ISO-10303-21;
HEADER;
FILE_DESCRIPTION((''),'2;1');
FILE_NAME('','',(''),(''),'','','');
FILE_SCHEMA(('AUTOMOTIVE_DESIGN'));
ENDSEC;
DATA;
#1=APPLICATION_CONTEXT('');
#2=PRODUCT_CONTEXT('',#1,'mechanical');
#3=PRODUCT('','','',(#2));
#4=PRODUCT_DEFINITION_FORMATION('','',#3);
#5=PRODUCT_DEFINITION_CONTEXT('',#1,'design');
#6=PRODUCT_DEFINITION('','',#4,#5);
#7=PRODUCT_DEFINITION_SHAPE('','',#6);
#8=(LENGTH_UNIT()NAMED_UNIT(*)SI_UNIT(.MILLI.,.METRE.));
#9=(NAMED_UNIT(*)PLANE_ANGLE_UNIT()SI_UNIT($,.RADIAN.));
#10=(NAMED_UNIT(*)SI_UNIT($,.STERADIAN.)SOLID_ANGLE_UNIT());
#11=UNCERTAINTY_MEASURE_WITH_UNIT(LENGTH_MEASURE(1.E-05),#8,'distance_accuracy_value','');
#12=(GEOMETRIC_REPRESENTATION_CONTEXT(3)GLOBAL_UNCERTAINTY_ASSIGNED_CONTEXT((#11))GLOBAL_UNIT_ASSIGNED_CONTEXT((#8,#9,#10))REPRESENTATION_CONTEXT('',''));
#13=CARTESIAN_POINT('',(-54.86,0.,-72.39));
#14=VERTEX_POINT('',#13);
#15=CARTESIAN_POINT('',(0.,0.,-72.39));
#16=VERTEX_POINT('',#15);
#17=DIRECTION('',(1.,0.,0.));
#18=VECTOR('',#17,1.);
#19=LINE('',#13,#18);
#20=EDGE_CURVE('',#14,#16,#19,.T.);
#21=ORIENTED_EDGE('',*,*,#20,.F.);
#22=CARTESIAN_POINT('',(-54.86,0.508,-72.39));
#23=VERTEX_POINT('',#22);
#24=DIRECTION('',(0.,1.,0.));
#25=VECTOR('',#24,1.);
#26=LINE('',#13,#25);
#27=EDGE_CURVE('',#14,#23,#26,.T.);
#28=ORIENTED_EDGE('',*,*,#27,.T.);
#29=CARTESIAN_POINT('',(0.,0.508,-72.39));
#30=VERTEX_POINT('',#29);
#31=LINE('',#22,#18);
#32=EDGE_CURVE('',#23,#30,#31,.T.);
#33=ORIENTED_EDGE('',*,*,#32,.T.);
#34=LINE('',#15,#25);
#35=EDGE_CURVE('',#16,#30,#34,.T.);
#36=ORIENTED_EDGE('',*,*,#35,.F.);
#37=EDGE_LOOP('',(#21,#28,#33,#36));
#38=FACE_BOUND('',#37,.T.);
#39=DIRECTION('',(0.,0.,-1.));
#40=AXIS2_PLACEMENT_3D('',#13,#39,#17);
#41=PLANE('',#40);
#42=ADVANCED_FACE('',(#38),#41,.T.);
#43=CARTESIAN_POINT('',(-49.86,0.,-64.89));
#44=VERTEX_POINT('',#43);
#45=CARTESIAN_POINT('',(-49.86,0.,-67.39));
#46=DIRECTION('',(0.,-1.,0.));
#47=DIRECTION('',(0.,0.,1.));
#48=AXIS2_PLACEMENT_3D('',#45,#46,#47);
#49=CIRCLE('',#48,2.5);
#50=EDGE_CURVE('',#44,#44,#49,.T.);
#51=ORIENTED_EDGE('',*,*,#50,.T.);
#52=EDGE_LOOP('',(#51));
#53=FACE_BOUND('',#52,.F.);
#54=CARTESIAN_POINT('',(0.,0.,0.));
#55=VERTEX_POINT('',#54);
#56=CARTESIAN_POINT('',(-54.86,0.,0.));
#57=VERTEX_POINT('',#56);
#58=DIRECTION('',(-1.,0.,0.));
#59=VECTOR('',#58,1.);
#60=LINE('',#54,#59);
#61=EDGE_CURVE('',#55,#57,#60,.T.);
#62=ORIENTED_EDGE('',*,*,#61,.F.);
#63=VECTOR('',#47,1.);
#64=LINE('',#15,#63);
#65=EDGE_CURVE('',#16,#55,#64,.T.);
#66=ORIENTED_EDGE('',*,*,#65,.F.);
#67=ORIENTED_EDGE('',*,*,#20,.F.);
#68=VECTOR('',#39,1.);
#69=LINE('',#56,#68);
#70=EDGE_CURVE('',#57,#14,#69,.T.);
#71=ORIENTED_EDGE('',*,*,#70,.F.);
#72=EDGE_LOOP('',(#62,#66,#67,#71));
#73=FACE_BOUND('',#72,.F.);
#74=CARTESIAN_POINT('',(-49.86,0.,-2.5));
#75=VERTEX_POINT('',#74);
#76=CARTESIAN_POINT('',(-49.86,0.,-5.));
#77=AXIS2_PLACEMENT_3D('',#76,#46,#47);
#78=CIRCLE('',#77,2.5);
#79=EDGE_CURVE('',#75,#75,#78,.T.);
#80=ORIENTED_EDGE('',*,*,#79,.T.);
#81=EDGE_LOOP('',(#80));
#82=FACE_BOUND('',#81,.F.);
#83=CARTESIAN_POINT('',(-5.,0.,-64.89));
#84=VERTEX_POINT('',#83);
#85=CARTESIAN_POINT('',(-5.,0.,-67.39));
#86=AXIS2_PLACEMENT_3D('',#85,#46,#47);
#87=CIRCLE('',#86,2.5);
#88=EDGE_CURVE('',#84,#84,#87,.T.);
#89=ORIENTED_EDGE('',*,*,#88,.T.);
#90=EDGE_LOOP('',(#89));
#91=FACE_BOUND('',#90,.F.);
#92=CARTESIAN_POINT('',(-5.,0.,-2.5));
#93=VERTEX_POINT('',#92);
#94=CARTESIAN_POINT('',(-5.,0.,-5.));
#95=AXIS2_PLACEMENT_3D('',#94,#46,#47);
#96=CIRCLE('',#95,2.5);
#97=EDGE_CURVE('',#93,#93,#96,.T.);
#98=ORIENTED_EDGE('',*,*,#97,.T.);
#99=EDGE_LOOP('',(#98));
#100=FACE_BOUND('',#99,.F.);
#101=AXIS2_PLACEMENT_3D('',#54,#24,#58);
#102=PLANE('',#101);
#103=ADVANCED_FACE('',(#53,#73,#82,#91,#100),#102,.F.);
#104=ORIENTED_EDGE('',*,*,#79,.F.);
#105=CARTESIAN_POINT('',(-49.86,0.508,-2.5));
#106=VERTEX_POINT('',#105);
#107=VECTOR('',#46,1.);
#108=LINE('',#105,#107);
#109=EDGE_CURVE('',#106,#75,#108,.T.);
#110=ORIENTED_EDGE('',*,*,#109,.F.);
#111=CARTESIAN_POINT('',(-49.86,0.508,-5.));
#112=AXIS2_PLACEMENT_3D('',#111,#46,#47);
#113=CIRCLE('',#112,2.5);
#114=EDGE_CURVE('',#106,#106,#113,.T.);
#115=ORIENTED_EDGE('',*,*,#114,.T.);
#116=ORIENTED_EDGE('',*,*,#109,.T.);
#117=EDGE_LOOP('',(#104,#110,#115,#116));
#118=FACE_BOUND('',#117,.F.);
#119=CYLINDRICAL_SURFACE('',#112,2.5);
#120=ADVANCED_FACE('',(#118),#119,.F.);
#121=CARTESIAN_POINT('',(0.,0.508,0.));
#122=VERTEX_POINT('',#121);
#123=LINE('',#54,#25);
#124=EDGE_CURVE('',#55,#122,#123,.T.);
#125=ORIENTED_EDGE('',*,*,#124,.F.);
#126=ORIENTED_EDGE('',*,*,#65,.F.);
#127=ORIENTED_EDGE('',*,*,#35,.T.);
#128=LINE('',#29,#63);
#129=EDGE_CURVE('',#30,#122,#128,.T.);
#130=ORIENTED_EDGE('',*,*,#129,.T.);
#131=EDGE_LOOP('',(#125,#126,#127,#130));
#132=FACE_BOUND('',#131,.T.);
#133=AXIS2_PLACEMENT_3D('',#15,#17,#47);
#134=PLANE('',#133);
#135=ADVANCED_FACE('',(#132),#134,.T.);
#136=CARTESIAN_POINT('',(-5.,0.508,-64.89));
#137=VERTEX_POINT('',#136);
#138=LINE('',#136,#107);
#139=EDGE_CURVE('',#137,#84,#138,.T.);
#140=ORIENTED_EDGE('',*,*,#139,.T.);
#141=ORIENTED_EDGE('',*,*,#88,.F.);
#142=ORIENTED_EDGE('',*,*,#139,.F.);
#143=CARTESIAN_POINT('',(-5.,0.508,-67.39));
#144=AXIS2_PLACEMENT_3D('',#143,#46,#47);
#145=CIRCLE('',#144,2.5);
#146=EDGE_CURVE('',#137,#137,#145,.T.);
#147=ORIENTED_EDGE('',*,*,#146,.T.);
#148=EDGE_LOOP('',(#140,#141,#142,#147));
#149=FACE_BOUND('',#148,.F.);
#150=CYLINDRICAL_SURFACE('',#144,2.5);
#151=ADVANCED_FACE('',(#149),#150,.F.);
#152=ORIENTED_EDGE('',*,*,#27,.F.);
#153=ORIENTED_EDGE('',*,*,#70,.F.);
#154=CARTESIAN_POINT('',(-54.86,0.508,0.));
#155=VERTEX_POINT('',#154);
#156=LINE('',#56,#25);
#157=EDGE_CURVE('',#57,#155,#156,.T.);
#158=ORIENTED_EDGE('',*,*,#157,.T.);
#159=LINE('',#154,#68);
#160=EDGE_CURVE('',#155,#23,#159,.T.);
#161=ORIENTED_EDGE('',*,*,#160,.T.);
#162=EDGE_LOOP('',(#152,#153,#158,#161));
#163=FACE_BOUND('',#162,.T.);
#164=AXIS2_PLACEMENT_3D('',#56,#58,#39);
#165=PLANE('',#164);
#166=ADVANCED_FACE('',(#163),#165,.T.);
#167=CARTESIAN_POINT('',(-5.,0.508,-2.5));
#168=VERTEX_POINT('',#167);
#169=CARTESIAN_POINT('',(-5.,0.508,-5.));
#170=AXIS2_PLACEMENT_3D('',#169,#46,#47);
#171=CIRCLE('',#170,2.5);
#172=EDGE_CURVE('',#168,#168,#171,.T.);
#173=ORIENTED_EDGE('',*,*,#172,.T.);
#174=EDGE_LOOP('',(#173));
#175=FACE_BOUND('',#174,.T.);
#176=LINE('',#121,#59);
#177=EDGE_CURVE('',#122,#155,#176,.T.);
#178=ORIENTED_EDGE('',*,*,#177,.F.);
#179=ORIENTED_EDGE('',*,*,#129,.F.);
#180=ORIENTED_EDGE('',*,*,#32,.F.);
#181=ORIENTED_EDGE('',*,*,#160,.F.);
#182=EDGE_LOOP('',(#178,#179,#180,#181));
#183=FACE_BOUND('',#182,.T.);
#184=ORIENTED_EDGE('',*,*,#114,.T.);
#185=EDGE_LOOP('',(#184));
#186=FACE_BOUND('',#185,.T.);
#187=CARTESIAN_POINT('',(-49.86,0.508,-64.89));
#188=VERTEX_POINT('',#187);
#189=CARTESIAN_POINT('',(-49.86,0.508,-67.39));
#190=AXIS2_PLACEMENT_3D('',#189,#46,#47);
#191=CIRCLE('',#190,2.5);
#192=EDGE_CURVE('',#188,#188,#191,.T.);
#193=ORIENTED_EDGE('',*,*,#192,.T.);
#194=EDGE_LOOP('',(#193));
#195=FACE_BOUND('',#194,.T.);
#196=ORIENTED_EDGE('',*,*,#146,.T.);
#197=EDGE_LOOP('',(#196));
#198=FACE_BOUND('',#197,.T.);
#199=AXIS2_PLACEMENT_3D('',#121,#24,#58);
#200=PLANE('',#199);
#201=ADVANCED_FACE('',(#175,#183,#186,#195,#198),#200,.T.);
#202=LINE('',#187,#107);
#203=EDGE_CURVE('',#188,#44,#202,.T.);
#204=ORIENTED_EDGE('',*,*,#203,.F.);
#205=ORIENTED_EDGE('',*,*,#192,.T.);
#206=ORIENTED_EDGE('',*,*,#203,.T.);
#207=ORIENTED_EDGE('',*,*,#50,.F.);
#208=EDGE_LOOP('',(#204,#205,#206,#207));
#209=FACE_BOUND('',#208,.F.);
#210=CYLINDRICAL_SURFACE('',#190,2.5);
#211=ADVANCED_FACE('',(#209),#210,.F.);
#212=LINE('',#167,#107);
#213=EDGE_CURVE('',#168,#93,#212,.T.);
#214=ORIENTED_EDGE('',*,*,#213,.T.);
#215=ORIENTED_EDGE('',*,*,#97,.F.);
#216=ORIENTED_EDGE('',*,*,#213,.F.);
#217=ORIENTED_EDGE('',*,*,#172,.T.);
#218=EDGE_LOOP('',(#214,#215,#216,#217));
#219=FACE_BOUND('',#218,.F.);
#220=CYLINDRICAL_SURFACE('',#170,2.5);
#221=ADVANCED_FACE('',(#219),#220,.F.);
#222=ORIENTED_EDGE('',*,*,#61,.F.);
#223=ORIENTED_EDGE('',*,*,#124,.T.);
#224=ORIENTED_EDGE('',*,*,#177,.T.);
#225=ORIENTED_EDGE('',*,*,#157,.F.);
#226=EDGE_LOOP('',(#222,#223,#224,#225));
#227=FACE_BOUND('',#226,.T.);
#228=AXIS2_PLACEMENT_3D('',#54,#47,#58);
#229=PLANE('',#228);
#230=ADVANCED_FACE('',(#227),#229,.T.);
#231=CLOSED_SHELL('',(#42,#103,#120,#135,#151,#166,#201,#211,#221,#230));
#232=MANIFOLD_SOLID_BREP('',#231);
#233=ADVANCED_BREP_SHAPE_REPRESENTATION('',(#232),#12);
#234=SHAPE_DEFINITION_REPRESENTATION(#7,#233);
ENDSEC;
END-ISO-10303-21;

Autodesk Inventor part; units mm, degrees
ref_plane "YZ Plane" through (0, 0, 0) normal (1, 0, 0) x (0, 1, 0)
ref_plane "XZ Plane" through (0, 0, 0) normal (0, 1, 0) x (-1, 0, 0)
ref_plane "XY Plane" through (0, 0, 0) normal (0, 0, 1) x (1, 0, 0)
sketch "Sketch1" plane through (0, 0, 0) normal (0, 1, 0) x (-1, 0, 0)
  line L0 (0, 0) -> (54.86, 0)
  line L1 (54.86, 0) -> (54.86, -72.39)
  line L2 (54.86, -72.39) -> (0, -72.39)
  line L3 (0, -72.39) -> (0, 0)
  dimension "d0" = 54.86
  dimension "d1" = 72.39
extrude "Extrusion1" add sketch "Sketch1" along normal blind 0.508
sketch "Sketch2" plane through (0, 0.508, 0) normal (0, 1, 0) x (1, 0, 0)
  line L0 (-33.1258, 25.0435) -> (-33.1258, 49.6219) construction
  line L1 (-33.1258, 49.6219) -> (-23.1073, 49.6219) construction
  line L2 (-23.1073, 49.6219) -> (-23.1073, 25.0435) construction
  line L3 (-23.1073, 25.0435) -> (-33.1258, 25.0435) construction
  circle A0 centre (-49.86, 5) radius 1.5
  circle A1 centre (-49.86, 67.39) radius 1.5
  circle A2 centre (-5, 5) radius 1.5
  circle A3 centre (-5, 67.39) radius 1.5
  line L4 (-54.86, 72.39) -> (0, 72.39) projected
  line L5 (-54.86, 0) -> (-54.86, 72.39) projected
  line L6 (0, 0) -> (0, 72.39) projected
  line L7 (0, 0) -> (-54.86, 0) projected
  dimension "d4" = 3
  dimension "d5" = 3
  dimension "d6" = 3
  dimension "d7" = 3
  dimension "d15" = 5
  dimension "d16" = 5
  dimension "d17" = 5
  dimension "d18" = 5
hole "Hole1" at (-49.86, 0.508, -67.39) at (-49.86, 0.508, -5) at (-5, 0.508, -5) at (-5, 0.508, -67.39) direction (0, -1, 0) diameter 5 end through all
properties part number "mainPCB"
